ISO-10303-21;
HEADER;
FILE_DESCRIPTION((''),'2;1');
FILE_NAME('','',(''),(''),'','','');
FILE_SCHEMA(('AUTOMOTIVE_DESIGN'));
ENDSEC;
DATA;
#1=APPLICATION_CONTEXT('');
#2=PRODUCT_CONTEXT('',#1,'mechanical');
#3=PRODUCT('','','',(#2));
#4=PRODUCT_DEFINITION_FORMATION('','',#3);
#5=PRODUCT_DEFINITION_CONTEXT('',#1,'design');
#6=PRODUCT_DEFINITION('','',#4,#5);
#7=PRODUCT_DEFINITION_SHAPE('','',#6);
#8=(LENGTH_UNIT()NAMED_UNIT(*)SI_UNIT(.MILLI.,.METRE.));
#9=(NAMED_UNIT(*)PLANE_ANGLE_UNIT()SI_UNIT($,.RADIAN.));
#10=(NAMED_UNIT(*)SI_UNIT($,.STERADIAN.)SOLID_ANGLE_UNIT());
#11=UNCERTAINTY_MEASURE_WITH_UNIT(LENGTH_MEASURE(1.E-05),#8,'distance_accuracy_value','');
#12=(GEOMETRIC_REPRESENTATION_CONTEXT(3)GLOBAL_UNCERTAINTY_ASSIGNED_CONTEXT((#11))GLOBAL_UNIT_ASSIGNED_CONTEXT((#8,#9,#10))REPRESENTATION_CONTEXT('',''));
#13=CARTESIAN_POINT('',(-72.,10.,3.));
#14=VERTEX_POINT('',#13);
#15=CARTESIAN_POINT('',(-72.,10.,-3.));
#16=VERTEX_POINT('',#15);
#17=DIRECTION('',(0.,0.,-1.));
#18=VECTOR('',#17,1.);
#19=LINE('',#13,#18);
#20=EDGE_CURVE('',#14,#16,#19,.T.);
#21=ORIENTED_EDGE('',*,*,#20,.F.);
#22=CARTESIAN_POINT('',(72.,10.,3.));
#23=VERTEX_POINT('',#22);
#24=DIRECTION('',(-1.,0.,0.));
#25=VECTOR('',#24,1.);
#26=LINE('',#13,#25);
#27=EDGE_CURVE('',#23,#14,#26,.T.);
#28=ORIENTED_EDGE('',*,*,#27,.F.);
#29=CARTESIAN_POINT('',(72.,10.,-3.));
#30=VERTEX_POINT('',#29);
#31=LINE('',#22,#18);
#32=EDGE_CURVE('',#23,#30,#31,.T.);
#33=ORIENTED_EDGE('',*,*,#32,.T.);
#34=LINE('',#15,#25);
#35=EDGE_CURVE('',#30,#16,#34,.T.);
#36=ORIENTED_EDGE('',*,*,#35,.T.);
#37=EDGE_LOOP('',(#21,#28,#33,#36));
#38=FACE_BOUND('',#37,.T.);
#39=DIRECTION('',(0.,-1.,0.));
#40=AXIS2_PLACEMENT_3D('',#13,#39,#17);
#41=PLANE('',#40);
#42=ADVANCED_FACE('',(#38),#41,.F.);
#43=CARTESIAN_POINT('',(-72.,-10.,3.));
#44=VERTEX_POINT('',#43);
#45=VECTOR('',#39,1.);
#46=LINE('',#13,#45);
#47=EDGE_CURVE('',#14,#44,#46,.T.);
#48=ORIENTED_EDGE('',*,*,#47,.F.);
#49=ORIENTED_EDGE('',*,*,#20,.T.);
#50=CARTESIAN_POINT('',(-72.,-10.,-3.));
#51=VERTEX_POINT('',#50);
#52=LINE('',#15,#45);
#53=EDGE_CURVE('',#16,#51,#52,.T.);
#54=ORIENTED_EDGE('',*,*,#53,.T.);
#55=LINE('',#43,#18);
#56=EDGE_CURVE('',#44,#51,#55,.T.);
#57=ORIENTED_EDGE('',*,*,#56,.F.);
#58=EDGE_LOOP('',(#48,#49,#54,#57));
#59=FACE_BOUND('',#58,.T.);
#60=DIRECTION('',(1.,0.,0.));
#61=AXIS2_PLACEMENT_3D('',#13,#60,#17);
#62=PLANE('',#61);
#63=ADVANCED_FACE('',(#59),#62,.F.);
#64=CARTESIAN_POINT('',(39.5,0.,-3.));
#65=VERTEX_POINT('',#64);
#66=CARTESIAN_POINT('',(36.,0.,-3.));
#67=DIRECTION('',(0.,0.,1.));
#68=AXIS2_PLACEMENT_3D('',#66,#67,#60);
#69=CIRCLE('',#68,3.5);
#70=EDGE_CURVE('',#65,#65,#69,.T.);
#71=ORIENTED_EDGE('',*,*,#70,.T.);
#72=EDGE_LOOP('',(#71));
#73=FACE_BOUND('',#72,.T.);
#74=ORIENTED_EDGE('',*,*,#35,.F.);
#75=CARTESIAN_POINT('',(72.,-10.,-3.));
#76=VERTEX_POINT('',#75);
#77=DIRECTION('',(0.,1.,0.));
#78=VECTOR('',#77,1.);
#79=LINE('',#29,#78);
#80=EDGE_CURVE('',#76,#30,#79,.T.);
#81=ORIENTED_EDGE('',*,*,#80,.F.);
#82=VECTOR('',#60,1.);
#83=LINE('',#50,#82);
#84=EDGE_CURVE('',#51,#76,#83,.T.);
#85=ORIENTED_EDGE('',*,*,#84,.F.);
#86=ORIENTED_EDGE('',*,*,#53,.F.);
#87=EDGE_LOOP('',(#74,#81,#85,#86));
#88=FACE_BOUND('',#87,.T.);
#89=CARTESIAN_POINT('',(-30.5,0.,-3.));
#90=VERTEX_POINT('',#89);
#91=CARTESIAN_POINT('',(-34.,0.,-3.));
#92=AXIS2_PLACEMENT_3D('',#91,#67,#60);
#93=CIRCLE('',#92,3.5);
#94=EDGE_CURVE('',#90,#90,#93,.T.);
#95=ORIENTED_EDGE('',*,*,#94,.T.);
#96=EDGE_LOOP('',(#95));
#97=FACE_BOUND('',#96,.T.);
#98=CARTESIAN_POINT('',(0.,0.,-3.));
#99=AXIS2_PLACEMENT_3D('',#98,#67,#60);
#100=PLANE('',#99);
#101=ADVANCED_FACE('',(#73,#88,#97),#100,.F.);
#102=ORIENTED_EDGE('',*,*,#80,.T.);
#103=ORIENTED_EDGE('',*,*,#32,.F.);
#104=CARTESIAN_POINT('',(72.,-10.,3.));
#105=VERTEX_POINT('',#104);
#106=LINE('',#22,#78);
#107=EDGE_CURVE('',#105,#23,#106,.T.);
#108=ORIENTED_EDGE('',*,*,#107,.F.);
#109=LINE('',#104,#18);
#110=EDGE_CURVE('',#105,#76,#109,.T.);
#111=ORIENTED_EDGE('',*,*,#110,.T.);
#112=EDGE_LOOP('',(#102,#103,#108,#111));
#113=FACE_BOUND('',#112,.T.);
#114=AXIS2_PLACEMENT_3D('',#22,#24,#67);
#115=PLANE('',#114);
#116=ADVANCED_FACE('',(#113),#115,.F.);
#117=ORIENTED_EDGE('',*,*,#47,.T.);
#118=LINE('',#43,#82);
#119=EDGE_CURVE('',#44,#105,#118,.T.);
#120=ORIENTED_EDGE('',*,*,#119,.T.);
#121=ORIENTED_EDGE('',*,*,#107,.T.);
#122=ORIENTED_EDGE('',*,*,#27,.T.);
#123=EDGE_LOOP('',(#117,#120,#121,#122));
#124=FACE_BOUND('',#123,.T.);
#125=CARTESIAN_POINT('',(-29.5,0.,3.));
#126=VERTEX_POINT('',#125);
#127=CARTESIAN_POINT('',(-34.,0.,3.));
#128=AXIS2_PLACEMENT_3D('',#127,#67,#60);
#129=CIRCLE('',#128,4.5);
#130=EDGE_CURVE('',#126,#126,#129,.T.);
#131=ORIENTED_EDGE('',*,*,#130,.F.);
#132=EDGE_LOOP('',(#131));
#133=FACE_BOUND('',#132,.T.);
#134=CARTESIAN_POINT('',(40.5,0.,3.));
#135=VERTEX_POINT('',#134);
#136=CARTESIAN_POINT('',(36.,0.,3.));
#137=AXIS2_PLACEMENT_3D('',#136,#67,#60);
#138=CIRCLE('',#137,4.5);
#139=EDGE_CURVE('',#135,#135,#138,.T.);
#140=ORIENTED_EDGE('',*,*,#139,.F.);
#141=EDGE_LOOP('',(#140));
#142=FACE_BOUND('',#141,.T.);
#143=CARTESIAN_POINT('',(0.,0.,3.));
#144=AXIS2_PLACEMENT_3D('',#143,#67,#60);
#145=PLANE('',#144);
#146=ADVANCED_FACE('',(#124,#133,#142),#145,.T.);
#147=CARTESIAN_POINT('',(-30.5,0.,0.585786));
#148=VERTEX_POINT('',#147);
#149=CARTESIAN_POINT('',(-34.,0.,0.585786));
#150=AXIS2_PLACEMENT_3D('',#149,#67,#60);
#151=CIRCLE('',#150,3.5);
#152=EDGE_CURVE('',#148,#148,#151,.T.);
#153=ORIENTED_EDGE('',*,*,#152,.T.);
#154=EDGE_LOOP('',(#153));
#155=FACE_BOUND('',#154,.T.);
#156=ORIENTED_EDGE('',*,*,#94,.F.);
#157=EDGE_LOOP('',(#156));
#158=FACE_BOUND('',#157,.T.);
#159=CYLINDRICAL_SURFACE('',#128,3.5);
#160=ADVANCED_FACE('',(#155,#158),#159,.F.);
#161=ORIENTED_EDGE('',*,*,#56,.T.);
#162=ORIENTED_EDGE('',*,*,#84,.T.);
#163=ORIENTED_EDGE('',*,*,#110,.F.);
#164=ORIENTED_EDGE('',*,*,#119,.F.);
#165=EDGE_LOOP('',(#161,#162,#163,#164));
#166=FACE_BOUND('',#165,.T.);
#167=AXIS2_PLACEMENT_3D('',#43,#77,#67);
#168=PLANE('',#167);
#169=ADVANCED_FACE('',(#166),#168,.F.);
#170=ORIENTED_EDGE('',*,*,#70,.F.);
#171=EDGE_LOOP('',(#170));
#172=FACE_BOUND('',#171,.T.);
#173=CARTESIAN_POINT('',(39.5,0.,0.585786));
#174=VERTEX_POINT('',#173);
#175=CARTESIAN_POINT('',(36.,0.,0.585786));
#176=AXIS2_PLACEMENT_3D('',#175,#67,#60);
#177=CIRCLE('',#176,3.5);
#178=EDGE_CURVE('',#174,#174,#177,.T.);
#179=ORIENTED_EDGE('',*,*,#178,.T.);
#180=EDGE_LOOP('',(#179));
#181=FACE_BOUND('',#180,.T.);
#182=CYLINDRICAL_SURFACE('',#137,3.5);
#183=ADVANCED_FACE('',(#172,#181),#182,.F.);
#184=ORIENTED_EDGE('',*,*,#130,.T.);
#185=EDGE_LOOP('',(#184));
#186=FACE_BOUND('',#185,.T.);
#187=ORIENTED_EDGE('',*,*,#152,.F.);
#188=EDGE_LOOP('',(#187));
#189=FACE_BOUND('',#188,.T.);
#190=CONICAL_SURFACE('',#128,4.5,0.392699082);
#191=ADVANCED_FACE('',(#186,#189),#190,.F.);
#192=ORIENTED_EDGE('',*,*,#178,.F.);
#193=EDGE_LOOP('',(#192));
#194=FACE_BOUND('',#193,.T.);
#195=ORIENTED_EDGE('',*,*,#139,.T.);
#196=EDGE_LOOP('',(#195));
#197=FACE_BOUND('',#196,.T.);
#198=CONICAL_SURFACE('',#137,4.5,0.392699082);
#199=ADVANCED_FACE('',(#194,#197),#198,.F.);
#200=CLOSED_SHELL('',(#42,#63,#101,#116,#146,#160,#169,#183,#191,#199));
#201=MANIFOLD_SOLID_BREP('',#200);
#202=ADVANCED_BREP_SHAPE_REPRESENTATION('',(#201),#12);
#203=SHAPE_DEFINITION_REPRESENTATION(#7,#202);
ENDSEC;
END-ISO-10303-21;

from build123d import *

# Parameters (mm, degrees)
SKETCH1_W           = 144
SKETCH1_H           = 20
BOSS_EXTRUDE1_DEPTH = 3
LPATTERN1_COUNT     = 2
LPATTERN1_PITCH     = 70


with BuildPart() as part:
    # Sketch1 → Boss-Extrude1 (new body, symmetric)
    with BuildSketch(Plane.XY):
        Rectangle(SKETCH1_W, SKETCH1_H)
    extrude(amount=BOSS_EXTRUDE1_DEPTH, both=True)

    # Sketch6 → Hole1 (revolve, cut)
    with BuildSketch(Plane(origin=(-34, 0, 3), x_dir=(0, -1, 0), z_dir=(1, 0, 0))):
        Polygon((0, 0), (0, 6), (3.5, 6), (3.5, 2.414213562), (4.5, 0), align=None)
    hole1 = revolve(axis=Axis((-34, 0, 9.445314094), (0, 0, -1)), mode=Mode.SUBTRACT)

    # LPattern1: Hole1 ×2
    with Locations(*[(i * LPATTERN1_PITCH, 0, 0) for i in range(1, LPATTERN1_COUNT)]):
        add(hole1, mode=Mode.SUBTRACT)


solid = part.part
